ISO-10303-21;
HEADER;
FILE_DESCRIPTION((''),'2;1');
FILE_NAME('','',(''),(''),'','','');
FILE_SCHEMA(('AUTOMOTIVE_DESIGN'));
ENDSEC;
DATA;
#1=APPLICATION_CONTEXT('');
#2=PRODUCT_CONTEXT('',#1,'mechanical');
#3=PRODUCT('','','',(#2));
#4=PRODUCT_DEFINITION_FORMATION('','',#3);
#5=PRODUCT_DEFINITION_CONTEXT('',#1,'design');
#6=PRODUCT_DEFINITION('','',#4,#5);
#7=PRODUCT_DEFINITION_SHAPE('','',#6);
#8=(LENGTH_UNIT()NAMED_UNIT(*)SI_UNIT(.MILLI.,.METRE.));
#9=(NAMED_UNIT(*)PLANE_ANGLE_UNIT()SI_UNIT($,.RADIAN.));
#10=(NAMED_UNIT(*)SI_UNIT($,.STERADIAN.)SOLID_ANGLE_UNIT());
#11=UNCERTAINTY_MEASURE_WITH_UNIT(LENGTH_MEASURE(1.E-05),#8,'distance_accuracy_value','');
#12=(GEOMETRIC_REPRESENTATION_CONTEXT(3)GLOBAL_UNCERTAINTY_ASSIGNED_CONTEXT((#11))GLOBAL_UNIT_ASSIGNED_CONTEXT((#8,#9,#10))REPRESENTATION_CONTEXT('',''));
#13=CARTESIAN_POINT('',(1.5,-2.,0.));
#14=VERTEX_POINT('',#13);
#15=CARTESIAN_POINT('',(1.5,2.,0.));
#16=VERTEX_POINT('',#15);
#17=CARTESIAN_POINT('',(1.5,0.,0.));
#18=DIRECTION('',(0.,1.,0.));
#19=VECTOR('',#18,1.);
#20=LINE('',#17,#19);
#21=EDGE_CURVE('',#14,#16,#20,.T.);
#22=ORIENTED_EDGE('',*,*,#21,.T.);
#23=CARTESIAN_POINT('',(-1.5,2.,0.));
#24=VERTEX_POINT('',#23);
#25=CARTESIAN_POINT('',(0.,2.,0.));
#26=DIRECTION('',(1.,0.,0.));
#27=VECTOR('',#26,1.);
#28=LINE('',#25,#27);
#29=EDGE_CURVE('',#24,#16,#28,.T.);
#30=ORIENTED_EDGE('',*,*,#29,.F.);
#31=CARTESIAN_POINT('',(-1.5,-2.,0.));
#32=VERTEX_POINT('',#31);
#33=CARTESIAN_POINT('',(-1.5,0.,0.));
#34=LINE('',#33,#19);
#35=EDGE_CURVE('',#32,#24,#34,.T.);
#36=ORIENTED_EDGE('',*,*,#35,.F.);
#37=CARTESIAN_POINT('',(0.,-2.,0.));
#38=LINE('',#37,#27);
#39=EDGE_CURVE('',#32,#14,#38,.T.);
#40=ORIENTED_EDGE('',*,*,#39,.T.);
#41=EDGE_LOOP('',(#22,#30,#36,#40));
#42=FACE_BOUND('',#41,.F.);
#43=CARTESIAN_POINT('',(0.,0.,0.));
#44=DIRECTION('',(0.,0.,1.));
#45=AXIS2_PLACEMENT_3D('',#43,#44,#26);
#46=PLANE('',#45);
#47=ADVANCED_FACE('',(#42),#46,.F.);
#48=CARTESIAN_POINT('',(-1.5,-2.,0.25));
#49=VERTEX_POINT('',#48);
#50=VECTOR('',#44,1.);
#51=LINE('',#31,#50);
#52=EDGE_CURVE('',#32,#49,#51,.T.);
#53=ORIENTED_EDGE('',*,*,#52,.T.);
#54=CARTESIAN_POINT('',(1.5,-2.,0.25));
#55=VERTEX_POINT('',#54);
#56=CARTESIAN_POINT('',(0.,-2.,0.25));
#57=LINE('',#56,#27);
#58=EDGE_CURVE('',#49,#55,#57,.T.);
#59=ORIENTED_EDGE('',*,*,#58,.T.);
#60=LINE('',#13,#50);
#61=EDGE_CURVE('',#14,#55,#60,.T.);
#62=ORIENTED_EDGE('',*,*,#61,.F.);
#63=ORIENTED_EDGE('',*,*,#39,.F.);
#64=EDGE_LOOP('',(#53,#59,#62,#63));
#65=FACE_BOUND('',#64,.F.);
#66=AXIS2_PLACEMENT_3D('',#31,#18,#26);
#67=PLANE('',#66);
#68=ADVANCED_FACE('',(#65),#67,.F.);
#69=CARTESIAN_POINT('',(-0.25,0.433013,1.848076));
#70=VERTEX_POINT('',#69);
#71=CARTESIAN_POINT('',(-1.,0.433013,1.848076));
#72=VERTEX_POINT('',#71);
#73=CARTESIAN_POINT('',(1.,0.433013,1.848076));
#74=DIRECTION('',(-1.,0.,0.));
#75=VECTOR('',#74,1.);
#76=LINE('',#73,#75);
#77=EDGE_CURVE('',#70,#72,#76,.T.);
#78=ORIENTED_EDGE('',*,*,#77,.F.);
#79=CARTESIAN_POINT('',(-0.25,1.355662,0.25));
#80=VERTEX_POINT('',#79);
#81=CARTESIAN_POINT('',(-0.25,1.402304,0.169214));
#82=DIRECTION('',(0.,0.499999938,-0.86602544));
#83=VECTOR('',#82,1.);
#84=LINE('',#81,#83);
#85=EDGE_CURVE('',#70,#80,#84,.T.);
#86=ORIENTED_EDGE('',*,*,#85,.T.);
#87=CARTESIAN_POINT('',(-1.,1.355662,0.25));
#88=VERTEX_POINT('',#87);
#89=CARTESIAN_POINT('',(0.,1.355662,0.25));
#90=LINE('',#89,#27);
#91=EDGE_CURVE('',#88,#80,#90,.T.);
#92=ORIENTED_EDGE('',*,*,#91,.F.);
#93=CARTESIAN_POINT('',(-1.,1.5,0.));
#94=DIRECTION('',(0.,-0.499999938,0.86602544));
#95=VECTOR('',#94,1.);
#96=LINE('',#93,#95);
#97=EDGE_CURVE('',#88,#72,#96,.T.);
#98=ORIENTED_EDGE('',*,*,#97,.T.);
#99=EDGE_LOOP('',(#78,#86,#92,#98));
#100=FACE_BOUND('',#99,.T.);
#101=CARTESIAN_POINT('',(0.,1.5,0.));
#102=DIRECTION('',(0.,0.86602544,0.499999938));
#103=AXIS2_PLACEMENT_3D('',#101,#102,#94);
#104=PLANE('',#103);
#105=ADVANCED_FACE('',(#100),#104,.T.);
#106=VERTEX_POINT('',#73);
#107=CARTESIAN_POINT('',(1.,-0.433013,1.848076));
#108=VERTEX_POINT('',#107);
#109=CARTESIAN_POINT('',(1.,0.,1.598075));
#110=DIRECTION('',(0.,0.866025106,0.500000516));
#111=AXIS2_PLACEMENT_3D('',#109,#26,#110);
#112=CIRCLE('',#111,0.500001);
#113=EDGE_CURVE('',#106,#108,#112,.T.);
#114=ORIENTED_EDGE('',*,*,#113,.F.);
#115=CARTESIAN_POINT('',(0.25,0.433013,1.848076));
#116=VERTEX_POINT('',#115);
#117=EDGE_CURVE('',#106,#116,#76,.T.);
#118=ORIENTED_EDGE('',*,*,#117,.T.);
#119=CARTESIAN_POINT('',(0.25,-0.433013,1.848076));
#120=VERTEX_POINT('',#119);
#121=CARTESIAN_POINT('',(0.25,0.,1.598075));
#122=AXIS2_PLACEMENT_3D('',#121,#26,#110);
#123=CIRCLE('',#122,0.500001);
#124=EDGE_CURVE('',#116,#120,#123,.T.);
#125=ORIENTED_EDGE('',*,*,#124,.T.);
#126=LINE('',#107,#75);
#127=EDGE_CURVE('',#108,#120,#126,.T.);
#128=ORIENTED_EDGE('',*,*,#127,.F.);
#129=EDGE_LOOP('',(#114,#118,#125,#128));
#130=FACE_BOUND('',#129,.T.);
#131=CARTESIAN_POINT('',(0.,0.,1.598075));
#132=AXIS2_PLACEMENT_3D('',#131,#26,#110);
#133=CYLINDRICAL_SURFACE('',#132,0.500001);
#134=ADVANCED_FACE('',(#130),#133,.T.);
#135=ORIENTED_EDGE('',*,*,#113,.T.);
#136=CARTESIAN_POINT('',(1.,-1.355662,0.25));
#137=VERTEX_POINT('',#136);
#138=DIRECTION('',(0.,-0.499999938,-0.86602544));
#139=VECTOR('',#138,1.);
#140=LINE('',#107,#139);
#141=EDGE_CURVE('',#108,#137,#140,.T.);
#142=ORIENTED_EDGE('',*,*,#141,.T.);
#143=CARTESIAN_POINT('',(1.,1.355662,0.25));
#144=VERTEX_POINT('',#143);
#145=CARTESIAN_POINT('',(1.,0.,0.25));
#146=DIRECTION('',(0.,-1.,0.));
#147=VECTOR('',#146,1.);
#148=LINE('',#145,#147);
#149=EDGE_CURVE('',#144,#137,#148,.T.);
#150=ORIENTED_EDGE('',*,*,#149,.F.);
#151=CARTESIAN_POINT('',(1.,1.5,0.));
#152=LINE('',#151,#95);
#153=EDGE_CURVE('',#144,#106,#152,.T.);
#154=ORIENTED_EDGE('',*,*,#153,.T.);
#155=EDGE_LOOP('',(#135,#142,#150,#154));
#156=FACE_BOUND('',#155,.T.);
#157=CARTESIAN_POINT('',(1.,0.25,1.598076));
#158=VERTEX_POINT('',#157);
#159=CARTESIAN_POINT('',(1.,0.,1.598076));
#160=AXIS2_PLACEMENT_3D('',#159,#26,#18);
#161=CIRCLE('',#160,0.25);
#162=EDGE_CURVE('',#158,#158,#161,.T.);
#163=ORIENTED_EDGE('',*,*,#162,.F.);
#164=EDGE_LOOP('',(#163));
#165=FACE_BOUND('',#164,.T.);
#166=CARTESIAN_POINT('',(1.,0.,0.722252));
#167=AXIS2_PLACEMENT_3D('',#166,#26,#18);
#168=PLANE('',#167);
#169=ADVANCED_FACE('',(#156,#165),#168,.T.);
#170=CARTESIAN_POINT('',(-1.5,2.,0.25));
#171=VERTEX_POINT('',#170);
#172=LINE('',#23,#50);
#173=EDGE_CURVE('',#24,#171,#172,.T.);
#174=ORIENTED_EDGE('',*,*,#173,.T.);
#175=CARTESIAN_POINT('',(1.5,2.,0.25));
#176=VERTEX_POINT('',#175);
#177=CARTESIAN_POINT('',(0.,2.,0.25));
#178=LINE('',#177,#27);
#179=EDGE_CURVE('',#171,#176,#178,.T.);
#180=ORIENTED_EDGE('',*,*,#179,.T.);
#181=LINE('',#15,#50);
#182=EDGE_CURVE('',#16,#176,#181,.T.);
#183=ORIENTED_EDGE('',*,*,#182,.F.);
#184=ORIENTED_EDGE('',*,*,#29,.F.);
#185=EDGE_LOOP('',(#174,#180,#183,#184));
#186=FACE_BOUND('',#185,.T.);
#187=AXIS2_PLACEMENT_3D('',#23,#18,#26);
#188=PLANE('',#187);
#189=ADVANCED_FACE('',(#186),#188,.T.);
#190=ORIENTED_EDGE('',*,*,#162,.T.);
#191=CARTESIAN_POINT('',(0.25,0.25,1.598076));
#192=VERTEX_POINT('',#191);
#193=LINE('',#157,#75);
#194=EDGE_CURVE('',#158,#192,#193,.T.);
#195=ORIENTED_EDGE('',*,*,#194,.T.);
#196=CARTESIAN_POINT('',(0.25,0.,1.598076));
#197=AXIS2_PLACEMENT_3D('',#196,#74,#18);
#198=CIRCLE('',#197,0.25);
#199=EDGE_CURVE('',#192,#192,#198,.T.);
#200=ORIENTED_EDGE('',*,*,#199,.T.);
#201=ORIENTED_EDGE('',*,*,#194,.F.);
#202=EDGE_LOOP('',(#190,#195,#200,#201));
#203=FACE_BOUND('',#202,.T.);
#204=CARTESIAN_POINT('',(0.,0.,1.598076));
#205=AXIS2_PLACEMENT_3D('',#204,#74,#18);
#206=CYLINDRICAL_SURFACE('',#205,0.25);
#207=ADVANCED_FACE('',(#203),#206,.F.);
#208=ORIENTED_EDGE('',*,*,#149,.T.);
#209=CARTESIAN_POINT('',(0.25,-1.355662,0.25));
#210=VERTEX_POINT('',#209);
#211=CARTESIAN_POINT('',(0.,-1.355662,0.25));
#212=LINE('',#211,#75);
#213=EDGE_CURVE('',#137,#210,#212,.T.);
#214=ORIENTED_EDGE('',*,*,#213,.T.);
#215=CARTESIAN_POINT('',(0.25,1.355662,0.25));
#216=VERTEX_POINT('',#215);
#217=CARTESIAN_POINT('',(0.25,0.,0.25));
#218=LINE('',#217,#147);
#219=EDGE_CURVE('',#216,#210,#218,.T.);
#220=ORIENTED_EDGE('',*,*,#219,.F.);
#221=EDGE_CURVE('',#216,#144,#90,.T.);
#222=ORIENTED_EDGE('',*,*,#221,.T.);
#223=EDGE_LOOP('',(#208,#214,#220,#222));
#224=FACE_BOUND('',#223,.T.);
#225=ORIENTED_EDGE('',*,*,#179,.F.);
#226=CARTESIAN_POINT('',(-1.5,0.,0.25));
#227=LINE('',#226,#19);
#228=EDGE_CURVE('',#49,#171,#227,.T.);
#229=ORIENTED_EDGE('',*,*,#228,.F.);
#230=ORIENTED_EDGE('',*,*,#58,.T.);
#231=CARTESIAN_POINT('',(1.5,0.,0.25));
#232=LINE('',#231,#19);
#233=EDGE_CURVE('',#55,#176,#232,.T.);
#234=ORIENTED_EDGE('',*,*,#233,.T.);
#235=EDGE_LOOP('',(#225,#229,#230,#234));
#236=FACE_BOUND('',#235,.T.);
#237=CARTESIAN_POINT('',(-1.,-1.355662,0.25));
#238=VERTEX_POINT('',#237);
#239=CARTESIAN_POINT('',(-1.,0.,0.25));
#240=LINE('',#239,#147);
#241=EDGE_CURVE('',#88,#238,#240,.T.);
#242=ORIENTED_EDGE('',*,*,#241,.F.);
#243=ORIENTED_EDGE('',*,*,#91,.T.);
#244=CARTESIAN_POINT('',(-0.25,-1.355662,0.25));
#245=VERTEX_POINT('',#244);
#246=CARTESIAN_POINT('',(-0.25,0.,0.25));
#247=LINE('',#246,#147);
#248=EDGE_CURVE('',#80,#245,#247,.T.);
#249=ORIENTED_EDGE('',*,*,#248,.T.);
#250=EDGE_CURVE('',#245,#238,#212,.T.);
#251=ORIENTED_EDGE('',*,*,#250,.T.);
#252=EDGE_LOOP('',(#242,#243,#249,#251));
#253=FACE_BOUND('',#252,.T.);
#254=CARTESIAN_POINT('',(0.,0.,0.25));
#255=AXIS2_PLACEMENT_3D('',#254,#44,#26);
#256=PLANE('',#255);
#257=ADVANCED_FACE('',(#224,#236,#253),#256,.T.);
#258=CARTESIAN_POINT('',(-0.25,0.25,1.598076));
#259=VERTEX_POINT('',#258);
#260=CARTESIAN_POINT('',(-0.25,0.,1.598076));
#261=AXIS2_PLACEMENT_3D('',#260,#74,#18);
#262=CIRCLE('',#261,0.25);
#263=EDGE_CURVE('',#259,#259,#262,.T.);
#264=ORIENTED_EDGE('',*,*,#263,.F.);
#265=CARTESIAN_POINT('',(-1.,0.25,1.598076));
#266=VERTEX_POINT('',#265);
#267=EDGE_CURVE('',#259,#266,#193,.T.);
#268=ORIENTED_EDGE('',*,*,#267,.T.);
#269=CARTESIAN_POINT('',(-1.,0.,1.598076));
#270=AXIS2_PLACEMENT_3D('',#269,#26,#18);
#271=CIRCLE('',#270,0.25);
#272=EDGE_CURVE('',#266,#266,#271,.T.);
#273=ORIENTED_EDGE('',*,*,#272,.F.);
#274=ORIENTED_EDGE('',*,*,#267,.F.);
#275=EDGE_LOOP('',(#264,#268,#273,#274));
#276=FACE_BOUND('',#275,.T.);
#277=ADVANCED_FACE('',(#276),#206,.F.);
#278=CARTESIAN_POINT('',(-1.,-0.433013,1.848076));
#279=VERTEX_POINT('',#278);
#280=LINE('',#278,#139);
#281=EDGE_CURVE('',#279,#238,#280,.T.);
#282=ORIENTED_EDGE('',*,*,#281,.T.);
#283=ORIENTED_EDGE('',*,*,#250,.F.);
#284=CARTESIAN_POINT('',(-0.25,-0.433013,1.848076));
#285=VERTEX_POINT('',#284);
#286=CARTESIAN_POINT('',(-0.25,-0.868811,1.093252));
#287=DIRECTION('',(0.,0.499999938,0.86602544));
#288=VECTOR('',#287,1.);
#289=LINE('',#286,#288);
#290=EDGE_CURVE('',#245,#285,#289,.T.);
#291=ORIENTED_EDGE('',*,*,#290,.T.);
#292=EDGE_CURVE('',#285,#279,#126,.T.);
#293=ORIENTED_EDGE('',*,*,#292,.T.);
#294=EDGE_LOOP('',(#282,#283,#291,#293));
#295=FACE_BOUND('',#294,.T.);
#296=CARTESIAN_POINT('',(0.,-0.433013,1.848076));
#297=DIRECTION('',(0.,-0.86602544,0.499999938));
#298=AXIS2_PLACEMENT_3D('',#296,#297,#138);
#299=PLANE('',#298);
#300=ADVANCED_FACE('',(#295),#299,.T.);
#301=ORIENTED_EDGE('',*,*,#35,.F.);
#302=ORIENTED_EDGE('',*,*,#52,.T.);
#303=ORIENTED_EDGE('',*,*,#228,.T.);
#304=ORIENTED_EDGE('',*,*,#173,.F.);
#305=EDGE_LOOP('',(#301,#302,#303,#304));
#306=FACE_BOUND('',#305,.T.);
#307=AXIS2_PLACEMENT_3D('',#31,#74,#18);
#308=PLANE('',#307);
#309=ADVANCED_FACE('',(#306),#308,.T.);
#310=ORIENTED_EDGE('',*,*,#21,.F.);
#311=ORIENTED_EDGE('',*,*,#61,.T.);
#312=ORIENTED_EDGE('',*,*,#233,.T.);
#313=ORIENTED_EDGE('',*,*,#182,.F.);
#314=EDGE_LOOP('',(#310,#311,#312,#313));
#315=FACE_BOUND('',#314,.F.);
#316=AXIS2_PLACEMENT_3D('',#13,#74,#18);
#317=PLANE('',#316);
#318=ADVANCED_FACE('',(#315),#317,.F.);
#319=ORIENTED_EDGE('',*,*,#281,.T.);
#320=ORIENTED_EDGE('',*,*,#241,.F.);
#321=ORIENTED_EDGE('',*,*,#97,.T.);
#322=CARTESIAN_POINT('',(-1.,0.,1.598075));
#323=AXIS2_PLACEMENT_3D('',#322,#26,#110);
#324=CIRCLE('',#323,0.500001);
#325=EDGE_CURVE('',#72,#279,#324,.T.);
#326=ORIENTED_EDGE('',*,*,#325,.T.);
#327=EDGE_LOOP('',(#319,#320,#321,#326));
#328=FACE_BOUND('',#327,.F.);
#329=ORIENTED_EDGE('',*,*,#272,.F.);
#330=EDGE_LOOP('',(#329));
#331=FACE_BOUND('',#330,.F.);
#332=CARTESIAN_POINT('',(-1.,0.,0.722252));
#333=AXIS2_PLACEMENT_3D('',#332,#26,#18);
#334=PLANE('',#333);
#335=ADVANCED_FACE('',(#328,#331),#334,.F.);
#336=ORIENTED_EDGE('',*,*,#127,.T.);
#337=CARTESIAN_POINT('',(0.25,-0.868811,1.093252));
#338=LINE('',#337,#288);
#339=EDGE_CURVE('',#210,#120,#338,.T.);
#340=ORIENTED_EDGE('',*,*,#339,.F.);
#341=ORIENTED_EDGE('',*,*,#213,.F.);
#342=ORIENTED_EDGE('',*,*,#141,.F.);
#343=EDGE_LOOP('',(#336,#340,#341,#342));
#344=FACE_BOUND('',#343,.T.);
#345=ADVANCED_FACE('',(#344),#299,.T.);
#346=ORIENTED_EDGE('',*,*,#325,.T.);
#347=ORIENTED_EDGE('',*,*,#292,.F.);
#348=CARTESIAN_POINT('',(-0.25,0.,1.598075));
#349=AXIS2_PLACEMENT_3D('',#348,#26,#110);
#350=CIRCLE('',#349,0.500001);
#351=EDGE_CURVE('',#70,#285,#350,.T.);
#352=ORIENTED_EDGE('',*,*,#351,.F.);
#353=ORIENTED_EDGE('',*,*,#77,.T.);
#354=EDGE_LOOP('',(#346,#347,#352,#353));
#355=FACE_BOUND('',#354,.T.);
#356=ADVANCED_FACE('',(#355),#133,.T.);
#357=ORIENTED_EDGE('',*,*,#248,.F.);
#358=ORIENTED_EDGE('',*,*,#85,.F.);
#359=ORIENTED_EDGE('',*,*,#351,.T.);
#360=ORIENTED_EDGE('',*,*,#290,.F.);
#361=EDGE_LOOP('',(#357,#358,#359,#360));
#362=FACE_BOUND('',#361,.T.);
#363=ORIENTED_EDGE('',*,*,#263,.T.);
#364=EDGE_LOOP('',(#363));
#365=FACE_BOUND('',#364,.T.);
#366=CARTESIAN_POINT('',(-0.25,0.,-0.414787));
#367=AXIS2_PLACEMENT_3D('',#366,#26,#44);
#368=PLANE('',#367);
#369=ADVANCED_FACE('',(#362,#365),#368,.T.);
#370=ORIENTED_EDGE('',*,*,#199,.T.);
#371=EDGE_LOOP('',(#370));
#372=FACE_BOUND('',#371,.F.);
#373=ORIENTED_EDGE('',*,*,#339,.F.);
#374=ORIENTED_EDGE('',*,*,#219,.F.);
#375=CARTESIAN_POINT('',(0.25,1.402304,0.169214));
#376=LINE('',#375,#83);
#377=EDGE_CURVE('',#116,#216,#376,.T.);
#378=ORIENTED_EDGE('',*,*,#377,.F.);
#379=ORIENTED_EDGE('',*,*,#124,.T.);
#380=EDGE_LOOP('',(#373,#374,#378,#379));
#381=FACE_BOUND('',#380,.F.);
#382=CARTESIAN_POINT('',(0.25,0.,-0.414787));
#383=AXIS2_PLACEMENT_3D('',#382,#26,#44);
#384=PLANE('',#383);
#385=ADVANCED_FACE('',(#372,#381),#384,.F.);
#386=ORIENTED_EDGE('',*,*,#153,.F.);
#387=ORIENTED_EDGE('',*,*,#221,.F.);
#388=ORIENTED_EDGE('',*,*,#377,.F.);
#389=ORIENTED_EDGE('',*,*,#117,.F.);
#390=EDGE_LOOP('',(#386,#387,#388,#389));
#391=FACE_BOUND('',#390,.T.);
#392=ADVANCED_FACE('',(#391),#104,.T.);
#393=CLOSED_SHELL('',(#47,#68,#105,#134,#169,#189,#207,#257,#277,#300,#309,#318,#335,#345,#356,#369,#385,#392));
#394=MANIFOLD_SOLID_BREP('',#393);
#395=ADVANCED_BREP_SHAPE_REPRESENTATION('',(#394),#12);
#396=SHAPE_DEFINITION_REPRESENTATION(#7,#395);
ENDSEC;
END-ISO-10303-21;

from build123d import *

# Parameters (mm, degrees)
F0_R     = 0.25
F1_DEPTH = 1
F2_W     = 0.5
F2_H     = 2.608739
F3_DEPTH = 12.5
F4_W     = 3
F4_H     = 4
F5_DEPTH = 0.25


with BuildPart() as f1:
    # F0 (on Right) → F1 (new body, symmetric)
    with BuildSketch(Plane.YZ):
        with BuildLine():
            Line((-0.433013, 1.848076), (-1.5, 0))
            Line((-1.5, 0), (1.5, 0))
            Line((1.5, 0), (0.433013, 1.848076))
            ThreePointArc((0.433013, 1.848076), (0, 2.098076), (-0.433013, 1.848076))
        make_face()
        with Locations((0, 1.598076)):
            Circle(F0_R, mode=Mode.SUBTRACT)
    extrude(amount=F1_DEPTH, both=True)

    # F2 (on Front) → F3 (cut, symmetric)
    with BuildSketch(Plane.XZ):
        with Locations((0, 0.889582)):
            Rectangle(F2_W, F2_H)
    extrude(amount=F3_DEPTH, both=True, mode=Mode.SUBTRACT)

    # F4 (on Top) → F5 (join)
    with BuildSketch(Plane.XY):
        Rectangle(F4_W, F4_H)
    extrude(amount=F5_DEPTH)


solid = f1.part
